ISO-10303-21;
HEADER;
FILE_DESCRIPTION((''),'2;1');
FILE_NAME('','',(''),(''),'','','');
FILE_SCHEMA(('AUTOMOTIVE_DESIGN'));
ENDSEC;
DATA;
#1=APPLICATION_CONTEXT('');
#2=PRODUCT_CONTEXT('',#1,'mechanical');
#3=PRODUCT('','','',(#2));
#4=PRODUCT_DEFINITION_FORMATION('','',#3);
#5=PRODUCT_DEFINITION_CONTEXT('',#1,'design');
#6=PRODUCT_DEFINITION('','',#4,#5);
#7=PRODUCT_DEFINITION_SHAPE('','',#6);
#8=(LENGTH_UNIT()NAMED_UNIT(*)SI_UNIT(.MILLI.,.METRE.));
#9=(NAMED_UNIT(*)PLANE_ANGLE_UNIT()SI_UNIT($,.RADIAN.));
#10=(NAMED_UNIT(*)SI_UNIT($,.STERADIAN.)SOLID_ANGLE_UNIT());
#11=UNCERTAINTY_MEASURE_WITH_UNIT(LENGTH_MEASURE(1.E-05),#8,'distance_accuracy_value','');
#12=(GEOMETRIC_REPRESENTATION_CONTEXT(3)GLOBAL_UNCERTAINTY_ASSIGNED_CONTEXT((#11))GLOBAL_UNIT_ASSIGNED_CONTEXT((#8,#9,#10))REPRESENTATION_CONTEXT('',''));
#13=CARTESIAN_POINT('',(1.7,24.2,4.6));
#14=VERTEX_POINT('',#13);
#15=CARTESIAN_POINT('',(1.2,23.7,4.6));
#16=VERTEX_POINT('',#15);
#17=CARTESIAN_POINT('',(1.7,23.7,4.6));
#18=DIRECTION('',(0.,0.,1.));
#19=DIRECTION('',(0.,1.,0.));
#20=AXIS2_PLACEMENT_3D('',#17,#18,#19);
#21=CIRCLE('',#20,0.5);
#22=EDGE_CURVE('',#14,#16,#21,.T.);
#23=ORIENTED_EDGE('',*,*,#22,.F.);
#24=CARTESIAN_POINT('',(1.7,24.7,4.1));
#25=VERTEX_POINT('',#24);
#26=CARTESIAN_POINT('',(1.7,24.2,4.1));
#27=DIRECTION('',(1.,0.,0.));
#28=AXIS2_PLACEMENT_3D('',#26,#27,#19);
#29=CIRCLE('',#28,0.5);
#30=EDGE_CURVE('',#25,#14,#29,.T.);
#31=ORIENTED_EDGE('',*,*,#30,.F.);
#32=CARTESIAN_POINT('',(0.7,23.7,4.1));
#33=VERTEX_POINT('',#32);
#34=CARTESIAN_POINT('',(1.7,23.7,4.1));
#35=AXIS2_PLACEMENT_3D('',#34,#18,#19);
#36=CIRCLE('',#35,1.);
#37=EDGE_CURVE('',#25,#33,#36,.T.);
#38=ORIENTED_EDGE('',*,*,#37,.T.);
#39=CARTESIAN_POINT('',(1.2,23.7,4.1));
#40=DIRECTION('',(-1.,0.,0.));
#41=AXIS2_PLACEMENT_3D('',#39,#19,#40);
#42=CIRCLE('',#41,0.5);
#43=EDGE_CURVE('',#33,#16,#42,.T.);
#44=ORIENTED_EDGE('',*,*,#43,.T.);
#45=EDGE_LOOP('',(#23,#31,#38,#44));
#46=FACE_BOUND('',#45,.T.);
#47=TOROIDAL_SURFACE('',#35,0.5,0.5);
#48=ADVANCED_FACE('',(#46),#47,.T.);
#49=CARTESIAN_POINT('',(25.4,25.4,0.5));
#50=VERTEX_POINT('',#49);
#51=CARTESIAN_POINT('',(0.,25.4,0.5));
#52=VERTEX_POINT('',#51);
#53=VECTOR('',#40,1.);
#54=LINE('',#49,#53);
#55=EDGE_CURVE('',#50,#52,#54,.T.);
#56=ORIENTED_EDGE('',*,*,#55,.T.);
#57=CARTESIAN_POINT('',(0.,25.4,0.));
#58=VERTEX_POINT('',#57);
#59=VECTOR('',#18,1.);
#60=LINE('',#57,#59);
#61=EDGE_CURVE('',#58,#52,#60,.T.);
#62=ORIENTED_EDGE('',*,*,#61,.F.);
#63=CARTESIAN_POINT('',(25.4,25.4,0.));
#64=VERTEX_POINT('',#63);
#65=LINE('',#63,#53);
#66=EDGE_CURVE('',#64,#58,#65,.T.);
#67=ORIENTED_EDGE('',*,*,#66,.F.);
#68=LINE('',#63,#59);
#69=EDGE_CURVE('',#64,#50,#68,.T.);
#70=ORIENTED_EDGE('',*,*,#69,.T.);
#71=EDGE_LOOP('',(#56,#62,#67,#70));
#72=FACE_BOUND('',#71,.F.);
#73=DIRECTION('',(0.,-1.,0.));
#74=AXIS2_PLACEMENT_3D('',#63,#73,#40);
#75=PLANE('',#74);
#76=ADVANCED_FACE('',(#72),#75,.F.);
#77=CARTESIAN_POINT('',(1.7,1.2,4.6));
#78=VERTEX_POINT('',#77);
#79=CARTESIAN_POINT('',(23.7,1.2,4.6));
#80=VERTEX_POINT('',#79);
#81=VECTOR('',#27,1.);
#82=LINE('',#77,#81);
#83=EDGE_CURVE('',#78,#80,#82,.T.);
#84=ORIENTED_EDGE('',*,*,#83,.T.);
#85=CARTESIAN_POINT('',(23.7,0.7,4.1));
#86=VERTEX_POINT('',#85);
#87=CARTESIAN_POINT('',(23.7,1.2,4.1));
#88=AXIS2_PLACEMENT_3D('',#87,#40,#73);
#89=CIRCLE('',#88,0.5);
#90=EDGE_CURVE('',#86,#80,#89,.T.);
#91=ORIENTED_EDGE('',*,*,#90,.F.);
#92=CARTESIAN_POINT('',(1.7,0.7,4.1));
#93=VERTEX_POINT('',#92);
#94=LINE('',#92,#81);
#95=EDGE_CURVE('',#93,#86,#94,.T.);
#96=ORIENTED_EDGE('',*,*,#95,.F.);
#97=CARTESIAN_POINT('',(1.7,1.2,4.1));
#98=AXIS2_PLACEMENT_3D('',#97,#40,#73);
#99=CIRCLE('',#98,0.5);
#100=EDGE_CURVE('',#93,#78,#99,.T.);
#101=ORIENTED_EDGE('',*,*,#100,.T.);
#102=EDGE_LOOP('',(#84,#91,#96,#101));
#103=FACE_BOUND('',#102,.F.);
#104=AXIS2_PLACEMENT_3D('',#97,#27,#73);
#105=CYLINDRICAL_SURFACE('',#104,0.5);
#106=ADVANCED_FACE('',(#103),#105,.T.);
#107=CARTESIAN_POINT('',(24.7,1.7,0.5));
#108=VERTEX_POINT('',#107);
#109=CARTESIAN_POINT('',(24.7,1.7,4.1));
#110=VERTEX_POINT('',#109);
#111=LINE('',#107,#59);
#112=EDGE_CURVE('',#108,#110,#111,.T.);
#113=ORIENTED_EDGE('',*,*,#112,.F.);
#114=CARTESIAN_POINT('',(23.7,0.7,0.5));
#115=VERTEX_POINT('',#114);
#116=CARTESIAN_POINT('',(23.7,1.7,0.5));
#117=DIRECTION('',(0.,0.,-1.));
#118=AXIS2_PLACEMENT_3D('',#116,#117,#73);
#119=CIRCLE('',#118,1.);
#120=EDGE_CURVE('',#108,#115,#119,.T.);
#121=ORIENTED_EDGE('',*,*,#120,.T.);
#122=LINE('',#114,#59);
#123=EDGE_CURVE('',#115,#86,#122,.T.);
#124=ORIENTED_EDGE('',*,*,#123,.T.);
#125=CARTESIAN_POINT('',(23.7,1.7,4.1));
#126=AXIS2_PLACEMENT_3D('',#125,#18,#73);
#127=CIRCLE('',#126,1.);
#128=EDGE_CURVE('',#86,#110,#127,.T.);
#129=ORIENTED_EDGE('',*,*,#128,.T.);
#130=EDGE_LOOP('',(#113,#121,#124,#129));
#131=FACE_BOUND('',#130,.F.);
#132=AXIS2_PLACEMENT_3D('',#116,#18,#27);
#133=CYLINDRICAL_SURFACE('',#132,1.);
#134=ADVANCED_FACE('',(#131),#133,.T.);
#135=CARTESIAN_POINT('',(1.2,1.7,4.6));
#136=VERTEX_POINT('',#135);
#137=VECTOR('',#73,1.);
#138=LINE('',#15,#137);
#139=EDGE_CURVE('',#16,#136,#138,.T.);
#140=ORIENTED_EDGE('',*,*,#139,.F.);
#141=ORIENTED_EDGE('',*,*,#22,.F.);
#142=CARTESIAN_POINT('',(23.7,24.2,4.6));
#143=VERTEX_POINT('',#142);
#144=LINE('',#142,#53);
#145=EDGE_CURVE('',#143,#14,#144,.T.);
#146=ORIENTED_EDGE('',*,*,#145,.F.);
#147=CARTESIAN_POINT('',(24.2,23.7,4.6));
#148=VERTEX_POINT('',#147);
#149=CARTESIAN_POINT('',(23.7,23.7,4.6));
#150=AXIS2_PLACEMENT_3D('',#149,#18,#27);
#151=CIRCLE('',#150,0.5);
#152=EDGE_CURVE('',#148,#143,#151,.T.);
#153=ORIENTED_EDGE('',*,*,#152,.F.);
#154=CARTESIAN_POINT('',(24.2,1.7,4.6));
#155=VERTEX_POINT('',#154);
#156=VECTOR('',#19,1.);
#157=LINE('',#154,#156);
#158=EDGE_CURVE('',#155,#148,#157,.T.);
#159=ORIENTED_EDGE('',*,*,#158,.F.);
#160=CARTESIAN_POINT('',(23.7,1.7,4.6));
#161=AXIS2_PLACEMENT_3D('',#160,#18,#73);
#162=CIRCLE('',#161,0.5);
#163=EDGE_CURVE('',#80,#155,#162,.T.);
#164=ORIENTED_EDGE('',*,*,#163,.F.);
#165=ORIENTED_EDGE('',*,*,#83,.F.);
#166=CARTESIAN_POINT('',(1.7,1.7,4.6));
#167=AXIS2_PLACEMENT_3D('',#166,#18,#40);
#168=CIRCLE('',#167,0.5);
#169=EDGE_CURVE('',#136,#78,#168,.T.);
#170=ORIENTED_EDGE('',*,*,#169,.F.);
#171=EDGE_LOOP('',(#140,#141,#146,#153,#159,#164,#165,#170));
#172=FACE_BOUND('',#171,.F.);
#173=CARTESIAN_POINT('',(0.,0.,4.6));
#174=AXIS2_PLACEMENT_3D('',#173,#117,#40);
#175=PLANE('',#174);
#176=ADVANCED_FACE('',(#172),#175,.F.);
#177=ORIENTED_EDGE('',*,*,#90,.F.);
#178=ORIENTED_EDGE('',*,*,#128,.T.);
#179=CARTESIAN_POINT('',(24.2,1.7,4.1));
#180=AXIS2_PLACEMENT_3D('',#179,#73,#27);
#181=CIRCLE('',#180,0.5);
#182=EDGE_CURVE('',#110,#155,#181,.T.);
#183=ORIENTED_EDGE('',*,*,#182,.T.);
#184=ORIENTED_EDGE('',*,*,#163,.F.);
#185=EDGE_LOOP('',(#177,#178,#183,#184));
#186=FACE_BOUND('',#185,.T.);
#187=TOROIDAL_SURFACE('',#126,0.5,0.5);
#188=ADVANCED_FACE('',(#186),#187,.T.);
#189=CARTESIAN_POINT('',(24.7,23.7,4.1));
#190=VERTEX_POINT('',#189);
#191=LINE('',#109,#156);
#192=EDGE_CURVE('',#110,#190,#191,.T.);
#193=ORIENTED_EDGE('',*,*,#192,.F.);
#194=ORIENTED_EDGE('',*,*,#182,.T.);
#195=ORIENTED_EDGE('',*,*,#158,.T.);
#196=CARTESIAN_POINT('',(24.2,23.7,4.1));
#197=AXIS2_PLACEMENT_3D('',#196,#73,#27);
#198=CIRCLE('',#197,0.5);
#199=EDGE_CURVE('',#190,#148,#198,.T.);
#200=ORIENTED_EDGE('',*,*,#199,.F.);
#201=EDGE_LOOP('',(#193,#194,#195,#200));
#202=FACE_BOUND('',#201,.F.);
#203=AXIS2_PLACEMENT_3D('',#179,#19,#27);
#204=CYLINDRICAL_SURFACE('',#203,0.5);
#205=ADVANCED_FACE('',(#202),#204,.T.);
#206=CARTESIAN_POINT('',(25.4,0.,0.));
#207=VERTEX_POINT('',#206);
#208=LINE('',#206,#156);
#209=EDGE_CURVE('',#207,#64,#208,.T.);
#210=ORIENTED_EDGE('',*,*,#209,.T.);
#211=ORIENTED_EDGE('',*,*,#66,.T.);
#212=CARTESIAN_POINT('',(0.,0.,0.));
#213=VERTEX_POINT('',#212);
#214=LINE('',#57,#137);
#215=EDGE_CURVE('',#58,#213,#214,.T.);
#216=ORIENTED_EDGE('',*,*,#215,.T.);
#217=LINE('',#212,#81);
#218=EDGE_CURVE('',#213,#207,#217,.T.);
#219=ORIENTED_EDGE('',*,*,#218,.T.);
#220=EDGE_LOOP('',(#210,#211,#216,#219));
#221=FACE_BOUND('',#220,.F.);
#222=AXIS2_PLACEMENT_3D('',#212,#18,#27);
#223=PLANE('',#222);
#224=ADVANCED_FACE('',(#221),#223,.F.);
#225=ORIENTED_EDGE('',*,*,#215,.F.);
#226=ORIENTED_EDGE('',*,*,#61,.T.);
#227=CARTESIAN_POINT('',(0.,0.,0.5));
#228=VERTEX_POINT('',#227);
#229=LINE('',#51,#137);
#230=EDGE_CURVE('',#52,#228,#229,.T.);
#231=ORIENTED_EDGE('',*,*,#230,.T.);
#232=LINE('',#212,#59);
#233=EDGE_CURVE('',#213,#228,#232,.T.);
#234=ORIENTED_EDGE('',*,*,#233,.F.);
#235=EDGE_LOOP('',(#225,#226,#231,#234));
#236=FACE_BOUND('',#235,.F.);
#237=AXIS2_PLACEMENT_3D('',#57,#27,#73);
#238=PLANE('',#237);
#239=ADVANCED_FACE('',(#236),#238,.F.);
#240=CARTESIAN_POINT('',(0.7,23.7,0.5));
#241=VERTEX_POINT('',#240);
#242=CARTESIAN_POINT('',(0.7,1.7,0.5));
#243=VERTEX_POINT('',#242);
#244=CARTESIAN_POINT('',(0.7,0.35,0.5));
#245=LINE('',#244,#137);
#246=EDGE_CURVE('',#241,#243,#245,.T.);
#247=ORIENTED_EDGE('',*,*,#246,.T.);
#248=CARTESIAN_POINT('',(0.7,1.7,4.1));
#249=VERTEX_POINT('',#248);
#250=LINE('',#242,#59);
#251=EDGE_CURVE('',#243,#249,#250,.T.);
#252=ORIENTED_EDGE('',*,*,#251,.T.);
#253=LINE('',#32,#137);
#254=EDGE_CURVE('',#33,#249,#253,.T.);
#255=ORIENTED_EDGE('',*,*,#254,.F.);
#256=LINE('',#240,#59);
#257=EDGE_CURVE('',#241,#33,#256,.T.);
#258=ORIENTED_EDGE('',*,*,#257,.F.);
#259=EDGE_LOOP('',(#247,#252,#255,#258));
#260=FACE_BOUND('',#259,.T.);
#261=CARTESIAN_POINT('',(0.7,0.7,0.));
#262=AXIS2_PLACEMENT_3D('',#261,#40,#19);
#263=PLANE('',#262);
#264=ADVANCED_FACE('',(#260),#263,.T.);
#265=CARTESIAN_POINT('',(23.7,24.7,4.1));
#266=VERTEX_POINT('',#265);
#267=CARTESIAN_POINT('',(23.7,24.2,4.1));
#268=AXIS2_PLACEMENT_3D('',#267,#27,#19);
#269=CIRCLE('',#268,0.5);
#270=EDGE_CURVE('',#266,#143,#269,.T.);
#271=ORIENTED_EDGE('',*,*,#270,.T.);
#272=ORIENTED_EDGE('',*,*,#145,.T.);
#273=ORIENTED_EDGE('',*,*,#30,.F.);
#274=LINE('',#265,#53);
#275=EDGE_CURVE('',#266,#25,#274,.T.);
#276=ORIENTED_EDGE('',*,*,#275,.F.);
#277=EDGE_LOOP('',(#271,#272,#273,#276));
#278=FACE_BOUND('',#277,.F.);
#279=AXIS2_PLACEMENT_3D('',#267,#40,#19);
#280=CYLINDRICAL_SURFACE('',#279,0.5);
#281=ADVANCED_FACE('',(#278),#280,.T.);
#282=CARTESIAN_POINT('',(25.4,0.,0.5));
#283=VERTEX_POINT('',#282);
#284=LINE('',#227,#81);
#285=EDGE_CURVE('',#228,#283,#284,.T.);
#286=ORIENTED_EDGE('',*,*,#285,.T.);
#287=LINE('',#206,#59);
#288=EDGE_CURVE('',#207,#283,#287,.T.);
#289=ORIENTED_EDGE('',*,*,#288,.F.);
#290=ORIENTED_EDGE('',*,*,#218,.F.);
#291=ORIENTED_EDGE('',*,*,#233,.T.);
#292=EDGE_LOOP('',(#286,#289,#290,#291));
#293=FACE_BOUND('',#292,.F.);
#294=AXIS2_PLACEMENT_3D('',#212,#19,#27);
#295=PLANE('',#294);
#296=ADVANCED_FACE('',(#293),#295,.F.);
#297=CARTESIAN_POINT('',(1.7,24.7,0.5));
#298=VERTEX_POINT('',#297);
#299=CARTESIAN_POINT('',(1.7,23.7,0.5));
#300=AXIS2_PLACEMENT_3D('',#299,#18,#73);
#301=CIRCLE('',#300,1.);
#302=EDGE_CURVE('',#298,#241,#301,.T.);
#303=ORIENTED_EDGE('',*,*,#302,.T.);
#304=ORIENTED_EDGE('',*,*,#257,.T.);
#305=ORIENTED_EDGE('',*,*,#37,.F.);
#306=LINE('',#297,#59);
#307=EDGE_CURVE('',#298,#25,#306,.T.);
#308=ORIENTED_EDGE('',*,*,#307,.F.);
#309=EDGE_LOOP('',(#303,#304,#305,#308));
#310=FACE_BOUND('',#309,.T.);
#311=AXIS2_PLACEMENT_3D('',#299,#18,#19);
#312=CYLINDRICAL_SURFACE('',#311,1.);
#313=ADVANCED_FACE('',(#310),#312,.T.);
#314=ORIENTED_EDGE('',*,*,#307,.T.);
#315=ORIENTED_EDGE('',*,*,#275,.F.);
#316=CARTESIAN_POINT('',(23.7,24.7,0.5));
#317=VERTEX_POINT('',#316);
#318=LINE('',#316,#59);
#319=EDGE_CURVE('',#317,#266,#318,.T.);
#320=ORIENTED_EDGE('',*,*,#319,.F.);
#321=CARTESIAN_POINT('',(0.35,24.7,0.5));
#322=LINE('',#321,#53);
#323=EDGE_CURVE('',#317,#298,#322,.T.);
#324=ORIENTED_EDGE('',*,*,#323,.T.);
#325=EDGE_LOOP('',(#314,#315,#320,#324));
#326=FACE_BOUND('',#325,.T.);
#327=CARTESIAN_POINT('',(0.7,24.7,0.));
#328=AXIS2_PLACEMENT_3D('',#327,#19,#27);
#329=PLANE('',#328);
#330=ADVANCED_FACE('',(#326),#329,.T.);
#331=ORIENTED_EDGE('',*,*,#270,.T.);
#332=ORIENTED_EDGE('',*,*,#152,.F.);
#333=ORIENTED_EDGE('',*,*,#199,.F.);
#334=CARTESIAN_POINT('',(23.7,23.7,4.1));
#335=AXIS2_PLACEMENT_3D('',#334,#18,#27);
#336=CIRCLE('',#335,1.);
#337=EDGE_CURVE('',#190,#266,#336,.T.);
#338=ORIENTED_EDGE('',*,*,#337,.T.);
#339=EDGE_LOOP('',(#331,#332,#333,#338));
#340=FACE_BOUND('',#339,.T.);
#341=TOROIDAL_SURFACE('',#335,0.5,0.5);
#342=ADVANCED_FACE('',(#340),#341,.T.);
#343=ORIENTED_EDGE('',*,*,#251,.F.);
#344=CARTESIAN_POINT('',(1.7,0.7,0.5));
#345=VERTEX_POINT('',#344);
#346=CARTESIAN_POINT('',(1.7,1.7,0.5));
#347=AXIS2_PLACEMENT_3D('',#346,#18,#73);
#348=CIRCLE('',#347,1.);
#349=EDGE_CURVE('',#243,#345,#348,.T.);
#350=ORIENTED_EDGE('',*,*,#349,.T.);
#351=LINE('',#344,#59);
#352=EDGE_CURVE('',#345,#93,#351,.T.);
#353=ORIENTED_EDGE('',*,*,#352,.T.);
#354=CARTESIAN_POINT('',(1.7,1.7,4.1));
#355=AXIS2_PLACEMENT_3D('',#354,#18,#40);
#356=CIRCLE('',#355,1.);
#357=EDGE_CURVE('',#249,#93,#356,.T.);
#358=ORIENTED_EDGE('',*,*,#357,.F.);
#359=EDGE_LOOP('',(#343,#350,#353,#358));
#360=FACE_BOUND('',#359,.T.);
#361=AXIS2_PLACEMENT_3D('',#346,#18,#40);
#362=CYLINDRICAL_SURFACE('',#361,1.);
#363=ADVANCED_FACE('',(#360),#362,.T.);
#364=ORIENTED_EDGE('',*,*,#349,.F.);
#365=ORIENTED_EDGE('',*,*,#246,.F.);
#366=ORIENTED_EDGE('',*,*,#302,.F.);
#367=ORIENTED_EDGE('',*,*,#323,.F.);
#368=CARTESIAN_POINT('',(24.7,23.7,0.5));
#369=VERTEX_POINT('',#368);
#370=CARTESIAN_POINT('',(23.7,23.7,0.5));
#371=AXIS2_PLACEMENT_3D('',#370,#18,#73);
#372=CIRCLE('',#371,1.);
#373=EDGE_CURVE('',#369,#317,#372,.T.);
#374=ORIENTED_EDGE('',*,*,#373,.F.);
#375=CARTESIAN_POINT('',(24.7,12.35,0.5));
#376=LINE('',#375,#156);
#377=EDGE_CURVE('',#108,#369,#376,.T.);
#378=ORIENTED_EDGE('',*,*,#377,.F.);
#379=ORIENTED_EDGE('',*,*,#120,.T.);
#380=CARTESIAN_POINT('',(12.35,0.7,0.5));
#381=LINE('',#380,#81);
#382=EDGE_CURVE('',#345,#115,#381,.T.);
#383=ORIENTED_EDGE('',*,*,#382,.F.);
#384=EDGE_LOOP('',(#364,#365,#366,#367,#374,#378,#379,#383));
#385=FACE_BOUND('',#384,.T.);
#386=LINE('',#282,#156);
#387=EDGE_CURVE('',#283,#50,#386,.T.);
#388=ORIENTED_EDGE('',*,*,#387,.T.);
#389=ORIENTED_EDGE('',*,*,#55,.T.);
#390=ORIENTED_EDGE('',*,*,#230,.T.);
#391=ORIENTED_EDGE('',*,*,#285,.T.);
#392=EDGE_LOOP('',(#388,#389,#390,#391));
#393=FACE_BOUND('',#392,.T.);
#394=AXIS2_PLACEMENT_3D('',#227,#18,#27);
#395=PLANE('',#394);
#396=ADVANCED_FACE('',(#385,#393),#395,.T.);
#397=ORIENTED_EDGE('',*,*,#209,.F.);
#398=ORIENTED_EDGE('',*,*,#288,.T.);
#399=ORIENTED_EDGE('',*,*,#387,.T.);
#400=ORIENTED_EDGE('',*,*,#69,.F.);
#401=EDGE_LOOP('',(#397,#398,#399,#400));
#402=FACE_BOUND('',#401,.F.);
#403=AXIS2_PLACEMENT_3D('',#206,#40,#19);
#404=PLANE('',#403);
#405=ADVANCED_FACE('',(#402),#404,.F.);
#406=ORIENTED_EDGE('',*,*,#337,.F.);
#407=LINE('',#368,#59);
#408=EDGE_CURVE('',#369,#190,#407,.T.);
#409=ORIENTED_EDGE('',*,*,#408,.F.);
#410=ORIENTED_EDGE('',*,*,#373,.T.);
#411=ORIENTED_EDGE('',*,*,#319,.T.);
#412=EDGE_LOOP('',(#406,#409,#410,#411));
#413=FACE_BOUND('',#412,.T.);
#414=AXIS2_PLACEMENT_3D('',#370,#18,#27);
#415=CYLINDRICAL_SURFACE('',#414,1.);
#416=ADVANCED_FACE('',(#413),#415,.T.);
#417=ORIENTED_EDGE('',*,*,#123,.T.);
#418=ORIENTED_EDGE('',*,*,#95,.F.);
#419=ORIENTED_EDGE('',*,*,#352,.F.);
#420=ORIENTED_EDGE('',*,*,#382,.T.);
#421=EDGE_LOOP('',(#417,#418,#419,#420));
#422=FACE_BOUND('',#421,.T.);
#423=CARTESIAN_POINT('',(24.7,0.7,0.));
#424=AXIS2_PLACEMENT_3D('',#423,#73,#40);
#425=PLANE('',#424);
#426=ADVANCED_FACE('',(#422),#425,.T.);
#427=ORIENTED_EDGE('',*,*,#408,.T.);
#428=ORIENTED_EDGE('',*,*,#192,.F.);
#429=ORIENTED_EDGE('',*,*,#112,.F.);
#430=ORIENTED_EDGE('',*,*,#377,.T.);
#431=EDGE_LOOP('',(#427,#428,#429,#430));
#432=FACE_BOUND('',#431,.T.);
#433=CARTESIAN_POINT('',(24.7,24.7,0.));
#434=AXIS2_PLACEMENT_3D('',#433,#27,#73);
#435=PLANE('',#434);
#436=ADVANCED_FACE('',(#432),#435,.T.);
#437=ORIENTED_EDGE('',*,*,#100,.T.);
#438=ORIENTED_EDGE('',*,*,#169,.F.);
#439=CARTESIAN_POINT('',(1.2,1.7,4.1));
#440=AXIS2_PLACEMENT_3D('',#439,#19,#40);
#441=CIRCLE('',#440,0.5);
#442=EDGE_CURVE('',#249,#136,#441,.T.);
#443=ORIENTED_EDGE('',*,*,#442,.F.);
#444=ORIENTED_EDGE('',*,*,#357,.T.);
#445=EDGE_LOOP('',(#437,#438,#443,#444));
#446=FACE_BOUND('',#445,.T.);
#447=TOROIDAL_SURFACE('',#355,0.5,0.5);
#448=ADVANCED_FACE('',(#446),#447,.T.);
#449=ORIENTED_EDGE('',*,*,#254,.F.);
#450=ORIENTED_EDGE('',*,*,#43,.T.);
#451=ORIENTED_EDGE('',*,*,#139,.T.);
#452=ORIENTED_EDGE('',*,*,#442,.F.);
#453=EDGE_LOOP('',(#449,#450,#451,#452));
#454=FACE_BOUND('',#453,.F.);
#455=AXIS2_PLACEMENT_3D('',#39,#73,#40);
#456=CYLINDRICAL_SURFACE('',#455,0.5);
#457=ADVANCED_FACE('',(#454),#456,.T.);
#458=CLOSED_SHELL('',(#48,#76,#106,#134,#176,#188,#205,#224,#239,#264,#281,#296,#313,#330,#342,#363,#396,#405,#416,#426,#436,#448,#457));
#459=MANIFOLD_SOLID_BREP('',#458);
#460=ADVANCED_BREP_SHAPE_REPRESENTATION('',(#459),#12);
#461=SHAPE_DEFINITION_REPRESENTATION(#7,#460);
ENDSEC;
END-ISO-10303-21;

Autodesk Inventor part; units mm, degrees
ref_plane "YZ Plane" through (0, 0, 0) normal (1, 0, 0) x (0, 1, 0)
ref_plane "XZ Plane" through (0, 0, 0) normal (0, 1, 0) x (-1, 0, 0)
ref_plane "XY Plane" through (0, 0, 0) normal (0, 0, 1) x (1, 0, 0)
sketch "Sketch1" plane through (0, 0, 0) normal (0, 0, 1) x (1, 0, 0)
  line L0 (0, 0) -> (25.4, 0)
  line L1 (25.4, 0) -> (25.4, 25.4)
  line L2 (25.4, 25.4) -> (0, 25.4)
  line L3 (0, 25.4) -> (0, 0)
  dimension "d0" = 25.4
  dimension "d1" = 25.4
extrude "Extrusion1" add sketch "Sketch1" along normal blind 0.5
sketch "Sketch2" plane through (0, 0, 0) normal (0, 0, -1) x (-1, 0, 0)
  line L0 (-24.7, 0.7) -> (-0.7, 0.7)
  line L1 (-0.7, 0.7) -> (-0.7, 24.7)
  line L2 (-0.7, 24.7) -> (-24.7, 24.7)
  line L3 (-24.7, 24.7) -> (-24.7, 0.7)
  line L4 (-25.4, 25.4) -> (0, 25.4) projected
  line L5 (0, 25.4) -> (0, 0) projected
  point P0 (-12.7, 24.7)
  point P1 (-12.7, 25.4)
  point P2 (-0.7, 12.7)
  point P3 (0, 12.7)
  dimension "d4" = 24
  dimension "d5" = 24
extrude "Extrusion2" add sketch "Sketch2" against normal blind 4.6
fillet "Fillet1" radius 1 4 edges at (24.7, 24.7, 2.55) (0.7, 24.7, 2.55) (0.7, 0.7, 2.55) (24.7, 0.7, 2.55)
fillet "Fillet2" radius 0.5 8 edges at (24.4071, 24.4071, 4.6) (12.7, 24.7, 4.6) (0.9929, 24.4071, 4.6) (0.7, 12.7, 4.6) (0.9929, 0.9929, 4.6) (12.7, 0.7, 4.6) (24.4071, 0.9929, 4.6) (24.7, 12.7, 4.6)
properties part number "Rubber Square 1 in" material "ABS Plastic"
